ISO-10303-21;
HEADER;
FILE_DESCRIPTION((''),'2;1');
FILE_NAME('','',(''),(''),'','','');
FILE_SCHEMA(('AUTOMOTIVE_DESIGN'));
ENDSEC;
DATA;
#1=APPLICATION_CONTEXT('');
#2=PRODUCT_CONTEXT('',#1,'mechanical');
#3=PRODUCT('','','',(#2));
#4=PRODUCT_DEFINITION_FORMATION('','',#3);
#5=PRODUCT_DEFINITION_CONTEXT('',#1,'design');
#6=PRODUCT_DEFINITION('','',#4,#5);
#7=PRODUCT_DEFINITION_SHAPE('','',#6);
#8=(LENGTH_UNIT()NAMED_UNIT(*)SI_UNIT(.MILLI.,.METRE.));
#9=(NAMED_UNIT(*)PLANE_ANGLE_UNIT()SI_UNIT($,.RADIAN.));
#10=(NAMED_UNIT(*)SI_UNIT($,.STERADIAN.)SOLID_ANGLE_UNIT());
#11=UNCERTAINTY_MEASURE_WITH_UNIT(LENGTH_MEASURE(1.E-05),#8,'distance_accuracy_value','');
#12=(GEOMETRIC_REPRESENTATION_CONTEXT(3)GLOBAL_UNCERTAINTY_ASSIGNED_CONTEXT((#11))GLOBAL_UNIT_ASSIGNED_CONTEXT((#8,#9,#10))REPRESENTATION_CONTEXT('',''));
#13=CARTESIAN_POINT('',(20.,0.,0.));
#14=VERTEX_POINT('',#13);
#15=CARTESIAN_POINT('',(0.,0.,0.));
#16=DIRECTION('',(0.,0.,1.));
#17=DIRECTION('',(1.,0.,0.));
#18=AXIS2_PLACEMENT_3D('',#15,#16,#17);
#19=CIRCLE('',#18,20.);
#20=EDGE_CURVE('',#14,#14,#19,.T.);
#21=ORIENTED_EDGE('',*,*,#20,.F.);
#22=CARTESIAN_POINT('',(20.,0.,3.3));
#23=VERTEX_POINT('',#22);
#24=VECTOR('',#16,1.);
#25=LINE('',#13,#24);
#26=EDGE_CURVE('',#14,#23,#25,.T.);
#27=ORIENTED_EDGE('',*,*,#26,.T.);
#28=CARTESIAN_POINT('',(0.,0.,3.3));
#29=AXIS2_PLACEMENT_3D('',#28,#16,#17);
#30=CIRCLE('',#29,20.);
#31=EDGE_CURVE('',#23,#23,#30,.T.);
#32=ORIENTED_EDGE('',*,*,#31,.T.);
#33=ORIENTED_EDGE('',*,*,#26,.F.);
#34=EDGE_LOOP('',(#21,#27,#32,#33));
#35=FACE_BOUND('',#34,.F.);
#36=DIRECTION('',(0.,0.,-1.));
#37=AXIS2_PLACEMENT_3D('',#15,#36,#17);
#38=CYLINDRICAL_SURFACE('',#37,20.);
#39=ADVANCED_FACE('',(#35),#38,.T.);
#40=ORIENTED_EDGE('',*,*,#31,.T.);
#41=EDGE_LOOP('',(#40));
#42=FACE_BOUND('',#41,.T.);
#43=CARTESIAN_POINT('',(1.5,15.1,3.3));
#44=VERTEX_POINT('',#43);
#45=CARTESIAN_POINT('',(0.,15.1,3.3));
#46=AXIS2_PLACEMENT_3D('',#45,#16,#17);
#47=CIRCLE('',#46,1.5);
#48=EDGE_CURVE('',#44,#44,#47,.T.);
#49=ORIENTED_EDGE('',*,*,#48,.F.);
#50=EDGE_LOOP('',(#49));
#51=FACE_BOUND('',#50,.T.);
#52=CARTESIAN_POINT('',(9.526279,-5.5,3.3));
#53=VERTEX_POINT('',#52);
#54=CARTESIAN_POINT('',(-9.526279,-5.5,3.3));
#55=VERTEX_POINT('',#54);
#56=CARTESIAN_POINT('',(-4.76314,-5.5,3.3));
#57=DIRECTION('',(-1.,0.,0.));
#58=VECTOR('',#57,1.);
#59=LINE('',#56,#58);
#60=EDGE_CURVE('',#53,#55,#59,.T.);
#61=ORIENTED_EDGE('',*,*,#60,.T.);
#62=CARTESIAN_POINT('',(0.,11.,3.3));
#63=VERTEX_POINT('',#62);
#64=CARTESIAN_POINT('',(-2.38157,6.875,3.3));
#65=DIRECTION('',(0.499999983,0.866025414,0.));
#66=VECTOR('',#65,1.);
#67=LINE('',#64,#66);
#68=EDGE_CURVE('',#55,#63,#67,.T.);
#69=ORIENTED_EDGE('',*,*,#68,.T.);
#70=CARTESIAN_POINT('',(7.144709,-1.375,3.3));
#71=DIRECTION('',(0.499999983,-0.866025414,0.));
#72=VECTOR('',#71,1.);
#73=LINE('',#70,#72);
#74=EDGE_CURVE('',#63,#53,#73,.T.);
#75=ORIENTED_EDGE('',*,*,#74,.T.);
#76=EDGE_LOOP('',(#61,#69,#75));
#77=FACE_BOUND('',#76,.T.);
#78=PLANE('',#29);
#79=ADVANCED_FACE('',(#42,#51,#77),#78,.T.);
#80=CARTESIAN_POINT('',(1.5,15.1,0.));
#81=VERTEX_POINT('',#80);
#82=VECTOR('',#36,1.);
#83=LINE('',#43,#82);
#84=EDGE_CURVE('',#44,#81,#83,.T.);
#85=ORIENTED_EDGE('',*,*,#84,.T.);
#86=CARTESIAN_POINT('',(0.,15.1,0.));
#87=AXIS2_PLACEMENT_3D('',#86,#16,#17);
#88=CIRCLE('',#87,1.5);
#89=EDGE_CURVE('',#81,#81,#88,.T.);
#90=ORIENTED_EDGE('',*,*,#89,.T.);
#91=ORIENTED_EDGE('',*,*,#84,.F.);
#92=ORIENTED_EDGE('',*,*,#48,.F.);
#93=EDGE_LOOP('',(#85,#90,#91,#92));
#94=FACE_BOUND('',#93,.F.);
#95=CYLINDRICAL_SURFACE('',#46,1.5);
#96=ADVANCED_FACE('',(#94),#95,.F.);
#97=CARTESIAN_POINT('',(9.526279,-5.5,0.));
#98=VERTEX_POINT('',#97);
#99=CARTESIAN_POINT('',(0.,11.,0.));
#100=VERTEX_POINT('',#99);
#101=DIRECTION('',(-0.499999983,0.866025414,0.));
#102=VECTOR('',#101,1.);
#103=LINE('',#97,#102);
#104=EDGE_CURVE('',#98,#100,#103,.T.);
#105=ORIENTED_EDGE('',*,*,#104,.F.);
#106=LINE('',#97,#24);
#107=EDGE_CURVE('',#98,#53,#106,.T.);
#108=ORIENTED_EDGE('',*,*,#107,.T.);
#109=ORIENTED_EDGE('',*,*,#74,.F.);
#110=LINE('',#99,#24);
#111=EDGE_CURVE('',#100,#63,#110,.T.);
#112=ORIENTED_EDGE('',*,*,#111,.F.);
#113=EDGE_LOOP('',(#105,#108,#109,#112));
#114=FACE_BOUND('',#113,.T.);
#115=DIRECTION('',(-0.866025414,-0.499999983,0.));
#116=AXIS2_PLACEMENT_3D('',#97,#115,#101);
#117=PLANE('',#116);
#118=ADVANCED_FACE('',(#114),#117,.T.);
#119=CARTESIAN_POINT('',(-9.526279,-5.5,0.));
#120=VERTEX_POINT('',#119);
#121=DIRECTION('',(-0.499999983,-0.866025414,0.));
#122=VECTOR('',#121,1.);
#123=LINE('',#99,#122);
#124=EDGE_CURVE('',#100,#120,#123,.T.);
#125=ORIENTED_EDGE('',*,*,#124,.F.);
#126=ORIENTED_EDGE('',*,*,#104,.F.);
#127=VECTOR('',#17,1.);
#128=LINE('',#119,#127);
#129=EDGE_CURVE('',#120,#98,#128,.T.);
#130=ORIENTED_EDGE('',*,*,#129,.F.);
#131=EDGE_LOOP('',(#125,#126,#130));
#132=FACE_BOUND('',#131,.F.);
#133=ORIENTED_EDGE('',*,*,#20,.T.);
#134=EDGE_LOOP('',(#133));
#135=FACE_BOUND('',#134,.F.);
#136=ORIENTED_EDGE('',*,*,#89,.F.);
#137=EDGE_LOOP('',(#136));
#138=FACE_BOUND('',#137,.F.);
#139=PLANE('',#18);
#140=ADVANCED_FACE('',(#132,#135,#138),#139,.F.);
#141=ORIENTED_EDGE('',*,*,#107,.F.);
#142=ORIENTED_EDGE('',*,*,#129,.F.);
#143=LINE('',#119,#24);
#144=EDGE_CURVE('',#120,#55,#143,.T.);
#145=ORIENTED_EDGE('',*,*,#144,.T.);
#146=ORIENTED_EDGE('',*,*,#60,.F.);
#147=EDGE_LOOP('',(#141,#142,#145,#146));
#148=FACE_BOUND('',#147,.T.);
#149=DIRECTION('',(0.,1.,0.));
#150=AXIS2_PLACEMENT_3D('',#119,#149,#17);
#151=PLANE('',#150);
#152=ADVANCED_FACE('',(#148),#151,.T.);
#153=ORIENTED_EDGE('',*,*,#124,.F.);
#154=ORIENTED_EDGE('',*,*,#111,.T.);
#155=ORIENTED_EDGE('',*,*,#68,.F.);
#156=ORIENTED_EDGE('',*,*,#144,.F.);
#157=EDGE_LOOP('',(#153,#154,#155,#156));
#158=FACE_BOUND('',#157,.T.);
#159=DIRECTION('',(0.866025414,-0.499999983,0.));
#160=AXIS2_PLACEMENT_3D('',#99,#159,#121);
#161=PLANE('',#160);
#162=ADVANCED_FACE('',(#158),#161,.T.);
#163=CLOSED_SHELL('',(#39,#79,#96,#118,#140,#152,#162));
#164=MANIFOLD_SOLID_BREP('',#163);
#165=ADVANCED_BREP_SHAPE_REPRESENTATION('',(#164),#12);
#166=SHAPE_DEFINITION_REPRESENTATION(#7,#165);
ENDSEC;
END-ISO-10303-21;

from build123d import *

# Parameters (mm, degrees)
CYLINDER_R      = 20
CYLINDER_DEPTH  = 3.3
SKETCH_R        = 1.5
POCKET_DEPTH    = 3.301
POCKET001_DEPTH = 5


with BuildPart() as part:
    # Cylinder → Cylinder (new body)
    with BuildSketch(Plane.XY):
        Circle(CYLINDER_R)
    extrude(amount=CYLINDER_DEPTH)

    # Sketch → Pocket (cut, through all)
    with BuildSketch(Plane.XY.offset(3.3)):
        with Locations((0, 15.1)):
            Circle(SKETCH_R)
    extrude(amount=-POCKET_DEPTH, mode=Mode.SUBTRACT)

    # Sketch001 → Pocket001 (cut)
    with BuildSketch(Plane(origin=(0, 0, 0), x_dir=(1, 0, 0), z_dir=(0, 0, -1))):
        Polygon((0, -11), (-9.526279, 5.5), (9.526279, 5.5), align=None)
    extrude(amount=-POCKET001_DEPTH, mode=Mode.SUBTRACT)


solid = part.part
